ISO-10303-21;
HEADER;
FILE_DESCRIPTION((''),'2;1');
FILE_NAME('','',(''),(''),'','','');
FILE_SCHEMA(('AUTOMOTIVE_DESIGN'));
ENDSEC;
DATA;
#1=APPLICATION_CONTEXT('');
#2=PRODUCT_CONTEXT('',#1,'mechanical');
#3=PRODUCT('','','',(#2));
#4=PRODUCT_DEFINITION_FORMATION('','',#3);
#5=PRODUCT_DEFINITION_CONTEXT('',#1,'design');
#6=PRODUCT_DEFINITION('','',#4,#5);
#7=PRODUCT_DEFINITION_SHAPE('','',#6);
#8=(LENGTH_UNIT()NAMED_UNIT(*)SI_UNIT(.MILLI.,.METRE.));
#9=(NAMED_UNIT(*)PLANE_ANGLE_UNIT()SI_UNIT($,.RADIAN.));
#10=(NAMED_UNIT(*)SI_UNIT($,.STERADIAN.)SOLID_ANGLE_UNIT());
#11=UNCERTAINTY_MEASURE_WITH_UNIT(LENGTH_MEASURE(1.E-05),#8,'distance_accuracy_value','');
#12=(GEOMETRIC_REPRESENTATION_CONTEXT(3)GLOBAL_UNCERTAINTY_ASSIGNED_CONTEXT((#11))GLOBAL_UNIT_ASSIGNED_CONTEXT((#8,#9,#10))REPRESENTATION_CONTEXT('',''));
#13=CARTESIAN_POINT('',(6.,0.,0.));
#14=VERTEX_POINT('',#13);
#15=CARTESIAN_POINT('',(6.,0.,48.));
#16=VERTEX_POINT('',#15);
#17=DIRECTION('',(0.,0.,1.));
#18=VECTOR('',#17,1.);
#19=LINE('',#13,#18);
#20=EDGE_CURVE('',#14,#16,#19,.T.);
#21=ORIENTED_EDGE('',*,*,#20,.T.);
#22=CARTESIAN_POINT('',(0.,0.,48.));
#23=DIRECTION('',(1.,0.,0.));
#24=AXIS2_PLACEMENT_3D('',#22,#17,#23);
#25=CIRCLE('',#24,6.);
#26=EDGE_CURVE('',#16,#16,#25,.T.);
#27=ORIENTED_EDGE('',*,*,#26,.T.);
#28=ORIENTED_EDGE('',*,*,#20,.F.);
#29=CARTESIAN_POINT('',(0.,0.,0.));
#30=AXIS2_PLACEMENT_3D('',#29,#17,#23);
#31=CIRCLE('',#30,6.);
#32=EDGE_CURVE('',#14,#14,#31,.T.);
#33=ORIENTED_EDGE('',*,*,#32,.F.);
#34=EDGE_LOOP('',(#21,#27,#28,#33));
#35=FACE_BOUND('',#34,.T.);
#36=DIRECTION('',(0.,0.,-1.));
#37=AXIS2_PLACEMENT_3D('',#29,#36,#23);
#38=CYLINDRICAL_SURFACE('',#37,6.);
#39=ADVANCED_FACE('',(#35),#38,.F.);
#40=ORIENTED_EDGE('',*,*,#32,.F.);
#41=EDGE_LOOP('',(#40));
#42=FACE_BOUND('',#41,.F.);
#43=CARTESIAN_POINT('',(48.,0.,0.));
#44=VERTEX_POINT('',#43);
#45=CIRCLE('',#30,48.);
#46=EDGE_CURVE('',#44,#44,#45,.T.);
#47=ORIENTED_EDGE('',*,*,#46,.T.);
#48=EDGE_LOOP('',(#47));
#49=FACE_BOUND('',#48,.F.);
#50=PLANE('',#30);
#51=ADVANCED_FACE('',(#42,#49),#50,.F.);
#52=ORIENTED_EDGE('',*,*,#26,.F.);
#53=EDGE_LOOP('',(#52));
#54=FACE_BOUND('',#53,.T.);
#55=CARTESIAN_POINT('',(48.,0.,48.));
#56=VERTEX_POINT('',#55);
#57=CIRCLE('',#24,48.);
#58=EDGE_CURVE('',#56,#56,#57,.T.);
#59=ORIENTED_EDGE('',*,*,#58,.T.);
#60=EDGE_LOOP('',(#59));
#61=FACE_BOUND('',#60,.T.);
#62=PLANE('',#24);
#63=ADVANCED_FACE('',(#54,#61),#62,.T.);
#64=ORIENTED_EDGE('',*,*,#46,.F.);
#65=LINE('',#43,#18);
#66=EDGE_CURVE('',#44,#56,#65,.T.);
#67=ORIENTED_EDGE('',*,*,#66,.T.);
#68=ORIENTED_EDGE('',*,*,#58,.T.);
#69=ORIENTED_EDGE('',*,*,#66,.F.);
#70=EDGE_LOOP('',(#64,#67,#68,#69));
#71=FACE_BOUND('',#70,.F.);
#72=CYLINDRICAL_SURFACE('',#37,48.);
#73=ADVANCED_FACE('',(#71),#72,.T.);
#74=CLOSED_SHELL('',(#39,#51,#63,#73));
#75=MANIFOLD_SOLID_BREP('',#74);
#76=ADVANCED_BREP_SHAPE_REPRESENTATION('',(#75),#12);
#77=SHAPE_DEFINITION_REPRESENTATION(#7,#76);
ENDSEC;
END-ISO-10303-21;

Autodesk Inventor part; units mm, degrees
ref_plane "YZ Plane" through (0, 0, 0) normal (1, 0, 0) x (0, 1, 0)
ref_plane "XZ Plane" through (0, 0, 0) normal (0, 1, 0) x (-1, 0, 0)
ref_plane "XY Plane" through (0, 0, 0) normal (0, 0, 1) x (1, 0, 0)
sketch "Sketch1" plane through (0, 0, 0) normal (0, 0, 1) x (1, 0, 0)
  circle A0 centre (0, 0) radius 48
  circle A1 centre (0, 0) radius 6
  dimension "d0" = 96
  dimension "d1" = 12
extrude "Extrusion1" add sketch "Sketch1" along normal blind 48
properties part number "Roue_MonsterTruck"
